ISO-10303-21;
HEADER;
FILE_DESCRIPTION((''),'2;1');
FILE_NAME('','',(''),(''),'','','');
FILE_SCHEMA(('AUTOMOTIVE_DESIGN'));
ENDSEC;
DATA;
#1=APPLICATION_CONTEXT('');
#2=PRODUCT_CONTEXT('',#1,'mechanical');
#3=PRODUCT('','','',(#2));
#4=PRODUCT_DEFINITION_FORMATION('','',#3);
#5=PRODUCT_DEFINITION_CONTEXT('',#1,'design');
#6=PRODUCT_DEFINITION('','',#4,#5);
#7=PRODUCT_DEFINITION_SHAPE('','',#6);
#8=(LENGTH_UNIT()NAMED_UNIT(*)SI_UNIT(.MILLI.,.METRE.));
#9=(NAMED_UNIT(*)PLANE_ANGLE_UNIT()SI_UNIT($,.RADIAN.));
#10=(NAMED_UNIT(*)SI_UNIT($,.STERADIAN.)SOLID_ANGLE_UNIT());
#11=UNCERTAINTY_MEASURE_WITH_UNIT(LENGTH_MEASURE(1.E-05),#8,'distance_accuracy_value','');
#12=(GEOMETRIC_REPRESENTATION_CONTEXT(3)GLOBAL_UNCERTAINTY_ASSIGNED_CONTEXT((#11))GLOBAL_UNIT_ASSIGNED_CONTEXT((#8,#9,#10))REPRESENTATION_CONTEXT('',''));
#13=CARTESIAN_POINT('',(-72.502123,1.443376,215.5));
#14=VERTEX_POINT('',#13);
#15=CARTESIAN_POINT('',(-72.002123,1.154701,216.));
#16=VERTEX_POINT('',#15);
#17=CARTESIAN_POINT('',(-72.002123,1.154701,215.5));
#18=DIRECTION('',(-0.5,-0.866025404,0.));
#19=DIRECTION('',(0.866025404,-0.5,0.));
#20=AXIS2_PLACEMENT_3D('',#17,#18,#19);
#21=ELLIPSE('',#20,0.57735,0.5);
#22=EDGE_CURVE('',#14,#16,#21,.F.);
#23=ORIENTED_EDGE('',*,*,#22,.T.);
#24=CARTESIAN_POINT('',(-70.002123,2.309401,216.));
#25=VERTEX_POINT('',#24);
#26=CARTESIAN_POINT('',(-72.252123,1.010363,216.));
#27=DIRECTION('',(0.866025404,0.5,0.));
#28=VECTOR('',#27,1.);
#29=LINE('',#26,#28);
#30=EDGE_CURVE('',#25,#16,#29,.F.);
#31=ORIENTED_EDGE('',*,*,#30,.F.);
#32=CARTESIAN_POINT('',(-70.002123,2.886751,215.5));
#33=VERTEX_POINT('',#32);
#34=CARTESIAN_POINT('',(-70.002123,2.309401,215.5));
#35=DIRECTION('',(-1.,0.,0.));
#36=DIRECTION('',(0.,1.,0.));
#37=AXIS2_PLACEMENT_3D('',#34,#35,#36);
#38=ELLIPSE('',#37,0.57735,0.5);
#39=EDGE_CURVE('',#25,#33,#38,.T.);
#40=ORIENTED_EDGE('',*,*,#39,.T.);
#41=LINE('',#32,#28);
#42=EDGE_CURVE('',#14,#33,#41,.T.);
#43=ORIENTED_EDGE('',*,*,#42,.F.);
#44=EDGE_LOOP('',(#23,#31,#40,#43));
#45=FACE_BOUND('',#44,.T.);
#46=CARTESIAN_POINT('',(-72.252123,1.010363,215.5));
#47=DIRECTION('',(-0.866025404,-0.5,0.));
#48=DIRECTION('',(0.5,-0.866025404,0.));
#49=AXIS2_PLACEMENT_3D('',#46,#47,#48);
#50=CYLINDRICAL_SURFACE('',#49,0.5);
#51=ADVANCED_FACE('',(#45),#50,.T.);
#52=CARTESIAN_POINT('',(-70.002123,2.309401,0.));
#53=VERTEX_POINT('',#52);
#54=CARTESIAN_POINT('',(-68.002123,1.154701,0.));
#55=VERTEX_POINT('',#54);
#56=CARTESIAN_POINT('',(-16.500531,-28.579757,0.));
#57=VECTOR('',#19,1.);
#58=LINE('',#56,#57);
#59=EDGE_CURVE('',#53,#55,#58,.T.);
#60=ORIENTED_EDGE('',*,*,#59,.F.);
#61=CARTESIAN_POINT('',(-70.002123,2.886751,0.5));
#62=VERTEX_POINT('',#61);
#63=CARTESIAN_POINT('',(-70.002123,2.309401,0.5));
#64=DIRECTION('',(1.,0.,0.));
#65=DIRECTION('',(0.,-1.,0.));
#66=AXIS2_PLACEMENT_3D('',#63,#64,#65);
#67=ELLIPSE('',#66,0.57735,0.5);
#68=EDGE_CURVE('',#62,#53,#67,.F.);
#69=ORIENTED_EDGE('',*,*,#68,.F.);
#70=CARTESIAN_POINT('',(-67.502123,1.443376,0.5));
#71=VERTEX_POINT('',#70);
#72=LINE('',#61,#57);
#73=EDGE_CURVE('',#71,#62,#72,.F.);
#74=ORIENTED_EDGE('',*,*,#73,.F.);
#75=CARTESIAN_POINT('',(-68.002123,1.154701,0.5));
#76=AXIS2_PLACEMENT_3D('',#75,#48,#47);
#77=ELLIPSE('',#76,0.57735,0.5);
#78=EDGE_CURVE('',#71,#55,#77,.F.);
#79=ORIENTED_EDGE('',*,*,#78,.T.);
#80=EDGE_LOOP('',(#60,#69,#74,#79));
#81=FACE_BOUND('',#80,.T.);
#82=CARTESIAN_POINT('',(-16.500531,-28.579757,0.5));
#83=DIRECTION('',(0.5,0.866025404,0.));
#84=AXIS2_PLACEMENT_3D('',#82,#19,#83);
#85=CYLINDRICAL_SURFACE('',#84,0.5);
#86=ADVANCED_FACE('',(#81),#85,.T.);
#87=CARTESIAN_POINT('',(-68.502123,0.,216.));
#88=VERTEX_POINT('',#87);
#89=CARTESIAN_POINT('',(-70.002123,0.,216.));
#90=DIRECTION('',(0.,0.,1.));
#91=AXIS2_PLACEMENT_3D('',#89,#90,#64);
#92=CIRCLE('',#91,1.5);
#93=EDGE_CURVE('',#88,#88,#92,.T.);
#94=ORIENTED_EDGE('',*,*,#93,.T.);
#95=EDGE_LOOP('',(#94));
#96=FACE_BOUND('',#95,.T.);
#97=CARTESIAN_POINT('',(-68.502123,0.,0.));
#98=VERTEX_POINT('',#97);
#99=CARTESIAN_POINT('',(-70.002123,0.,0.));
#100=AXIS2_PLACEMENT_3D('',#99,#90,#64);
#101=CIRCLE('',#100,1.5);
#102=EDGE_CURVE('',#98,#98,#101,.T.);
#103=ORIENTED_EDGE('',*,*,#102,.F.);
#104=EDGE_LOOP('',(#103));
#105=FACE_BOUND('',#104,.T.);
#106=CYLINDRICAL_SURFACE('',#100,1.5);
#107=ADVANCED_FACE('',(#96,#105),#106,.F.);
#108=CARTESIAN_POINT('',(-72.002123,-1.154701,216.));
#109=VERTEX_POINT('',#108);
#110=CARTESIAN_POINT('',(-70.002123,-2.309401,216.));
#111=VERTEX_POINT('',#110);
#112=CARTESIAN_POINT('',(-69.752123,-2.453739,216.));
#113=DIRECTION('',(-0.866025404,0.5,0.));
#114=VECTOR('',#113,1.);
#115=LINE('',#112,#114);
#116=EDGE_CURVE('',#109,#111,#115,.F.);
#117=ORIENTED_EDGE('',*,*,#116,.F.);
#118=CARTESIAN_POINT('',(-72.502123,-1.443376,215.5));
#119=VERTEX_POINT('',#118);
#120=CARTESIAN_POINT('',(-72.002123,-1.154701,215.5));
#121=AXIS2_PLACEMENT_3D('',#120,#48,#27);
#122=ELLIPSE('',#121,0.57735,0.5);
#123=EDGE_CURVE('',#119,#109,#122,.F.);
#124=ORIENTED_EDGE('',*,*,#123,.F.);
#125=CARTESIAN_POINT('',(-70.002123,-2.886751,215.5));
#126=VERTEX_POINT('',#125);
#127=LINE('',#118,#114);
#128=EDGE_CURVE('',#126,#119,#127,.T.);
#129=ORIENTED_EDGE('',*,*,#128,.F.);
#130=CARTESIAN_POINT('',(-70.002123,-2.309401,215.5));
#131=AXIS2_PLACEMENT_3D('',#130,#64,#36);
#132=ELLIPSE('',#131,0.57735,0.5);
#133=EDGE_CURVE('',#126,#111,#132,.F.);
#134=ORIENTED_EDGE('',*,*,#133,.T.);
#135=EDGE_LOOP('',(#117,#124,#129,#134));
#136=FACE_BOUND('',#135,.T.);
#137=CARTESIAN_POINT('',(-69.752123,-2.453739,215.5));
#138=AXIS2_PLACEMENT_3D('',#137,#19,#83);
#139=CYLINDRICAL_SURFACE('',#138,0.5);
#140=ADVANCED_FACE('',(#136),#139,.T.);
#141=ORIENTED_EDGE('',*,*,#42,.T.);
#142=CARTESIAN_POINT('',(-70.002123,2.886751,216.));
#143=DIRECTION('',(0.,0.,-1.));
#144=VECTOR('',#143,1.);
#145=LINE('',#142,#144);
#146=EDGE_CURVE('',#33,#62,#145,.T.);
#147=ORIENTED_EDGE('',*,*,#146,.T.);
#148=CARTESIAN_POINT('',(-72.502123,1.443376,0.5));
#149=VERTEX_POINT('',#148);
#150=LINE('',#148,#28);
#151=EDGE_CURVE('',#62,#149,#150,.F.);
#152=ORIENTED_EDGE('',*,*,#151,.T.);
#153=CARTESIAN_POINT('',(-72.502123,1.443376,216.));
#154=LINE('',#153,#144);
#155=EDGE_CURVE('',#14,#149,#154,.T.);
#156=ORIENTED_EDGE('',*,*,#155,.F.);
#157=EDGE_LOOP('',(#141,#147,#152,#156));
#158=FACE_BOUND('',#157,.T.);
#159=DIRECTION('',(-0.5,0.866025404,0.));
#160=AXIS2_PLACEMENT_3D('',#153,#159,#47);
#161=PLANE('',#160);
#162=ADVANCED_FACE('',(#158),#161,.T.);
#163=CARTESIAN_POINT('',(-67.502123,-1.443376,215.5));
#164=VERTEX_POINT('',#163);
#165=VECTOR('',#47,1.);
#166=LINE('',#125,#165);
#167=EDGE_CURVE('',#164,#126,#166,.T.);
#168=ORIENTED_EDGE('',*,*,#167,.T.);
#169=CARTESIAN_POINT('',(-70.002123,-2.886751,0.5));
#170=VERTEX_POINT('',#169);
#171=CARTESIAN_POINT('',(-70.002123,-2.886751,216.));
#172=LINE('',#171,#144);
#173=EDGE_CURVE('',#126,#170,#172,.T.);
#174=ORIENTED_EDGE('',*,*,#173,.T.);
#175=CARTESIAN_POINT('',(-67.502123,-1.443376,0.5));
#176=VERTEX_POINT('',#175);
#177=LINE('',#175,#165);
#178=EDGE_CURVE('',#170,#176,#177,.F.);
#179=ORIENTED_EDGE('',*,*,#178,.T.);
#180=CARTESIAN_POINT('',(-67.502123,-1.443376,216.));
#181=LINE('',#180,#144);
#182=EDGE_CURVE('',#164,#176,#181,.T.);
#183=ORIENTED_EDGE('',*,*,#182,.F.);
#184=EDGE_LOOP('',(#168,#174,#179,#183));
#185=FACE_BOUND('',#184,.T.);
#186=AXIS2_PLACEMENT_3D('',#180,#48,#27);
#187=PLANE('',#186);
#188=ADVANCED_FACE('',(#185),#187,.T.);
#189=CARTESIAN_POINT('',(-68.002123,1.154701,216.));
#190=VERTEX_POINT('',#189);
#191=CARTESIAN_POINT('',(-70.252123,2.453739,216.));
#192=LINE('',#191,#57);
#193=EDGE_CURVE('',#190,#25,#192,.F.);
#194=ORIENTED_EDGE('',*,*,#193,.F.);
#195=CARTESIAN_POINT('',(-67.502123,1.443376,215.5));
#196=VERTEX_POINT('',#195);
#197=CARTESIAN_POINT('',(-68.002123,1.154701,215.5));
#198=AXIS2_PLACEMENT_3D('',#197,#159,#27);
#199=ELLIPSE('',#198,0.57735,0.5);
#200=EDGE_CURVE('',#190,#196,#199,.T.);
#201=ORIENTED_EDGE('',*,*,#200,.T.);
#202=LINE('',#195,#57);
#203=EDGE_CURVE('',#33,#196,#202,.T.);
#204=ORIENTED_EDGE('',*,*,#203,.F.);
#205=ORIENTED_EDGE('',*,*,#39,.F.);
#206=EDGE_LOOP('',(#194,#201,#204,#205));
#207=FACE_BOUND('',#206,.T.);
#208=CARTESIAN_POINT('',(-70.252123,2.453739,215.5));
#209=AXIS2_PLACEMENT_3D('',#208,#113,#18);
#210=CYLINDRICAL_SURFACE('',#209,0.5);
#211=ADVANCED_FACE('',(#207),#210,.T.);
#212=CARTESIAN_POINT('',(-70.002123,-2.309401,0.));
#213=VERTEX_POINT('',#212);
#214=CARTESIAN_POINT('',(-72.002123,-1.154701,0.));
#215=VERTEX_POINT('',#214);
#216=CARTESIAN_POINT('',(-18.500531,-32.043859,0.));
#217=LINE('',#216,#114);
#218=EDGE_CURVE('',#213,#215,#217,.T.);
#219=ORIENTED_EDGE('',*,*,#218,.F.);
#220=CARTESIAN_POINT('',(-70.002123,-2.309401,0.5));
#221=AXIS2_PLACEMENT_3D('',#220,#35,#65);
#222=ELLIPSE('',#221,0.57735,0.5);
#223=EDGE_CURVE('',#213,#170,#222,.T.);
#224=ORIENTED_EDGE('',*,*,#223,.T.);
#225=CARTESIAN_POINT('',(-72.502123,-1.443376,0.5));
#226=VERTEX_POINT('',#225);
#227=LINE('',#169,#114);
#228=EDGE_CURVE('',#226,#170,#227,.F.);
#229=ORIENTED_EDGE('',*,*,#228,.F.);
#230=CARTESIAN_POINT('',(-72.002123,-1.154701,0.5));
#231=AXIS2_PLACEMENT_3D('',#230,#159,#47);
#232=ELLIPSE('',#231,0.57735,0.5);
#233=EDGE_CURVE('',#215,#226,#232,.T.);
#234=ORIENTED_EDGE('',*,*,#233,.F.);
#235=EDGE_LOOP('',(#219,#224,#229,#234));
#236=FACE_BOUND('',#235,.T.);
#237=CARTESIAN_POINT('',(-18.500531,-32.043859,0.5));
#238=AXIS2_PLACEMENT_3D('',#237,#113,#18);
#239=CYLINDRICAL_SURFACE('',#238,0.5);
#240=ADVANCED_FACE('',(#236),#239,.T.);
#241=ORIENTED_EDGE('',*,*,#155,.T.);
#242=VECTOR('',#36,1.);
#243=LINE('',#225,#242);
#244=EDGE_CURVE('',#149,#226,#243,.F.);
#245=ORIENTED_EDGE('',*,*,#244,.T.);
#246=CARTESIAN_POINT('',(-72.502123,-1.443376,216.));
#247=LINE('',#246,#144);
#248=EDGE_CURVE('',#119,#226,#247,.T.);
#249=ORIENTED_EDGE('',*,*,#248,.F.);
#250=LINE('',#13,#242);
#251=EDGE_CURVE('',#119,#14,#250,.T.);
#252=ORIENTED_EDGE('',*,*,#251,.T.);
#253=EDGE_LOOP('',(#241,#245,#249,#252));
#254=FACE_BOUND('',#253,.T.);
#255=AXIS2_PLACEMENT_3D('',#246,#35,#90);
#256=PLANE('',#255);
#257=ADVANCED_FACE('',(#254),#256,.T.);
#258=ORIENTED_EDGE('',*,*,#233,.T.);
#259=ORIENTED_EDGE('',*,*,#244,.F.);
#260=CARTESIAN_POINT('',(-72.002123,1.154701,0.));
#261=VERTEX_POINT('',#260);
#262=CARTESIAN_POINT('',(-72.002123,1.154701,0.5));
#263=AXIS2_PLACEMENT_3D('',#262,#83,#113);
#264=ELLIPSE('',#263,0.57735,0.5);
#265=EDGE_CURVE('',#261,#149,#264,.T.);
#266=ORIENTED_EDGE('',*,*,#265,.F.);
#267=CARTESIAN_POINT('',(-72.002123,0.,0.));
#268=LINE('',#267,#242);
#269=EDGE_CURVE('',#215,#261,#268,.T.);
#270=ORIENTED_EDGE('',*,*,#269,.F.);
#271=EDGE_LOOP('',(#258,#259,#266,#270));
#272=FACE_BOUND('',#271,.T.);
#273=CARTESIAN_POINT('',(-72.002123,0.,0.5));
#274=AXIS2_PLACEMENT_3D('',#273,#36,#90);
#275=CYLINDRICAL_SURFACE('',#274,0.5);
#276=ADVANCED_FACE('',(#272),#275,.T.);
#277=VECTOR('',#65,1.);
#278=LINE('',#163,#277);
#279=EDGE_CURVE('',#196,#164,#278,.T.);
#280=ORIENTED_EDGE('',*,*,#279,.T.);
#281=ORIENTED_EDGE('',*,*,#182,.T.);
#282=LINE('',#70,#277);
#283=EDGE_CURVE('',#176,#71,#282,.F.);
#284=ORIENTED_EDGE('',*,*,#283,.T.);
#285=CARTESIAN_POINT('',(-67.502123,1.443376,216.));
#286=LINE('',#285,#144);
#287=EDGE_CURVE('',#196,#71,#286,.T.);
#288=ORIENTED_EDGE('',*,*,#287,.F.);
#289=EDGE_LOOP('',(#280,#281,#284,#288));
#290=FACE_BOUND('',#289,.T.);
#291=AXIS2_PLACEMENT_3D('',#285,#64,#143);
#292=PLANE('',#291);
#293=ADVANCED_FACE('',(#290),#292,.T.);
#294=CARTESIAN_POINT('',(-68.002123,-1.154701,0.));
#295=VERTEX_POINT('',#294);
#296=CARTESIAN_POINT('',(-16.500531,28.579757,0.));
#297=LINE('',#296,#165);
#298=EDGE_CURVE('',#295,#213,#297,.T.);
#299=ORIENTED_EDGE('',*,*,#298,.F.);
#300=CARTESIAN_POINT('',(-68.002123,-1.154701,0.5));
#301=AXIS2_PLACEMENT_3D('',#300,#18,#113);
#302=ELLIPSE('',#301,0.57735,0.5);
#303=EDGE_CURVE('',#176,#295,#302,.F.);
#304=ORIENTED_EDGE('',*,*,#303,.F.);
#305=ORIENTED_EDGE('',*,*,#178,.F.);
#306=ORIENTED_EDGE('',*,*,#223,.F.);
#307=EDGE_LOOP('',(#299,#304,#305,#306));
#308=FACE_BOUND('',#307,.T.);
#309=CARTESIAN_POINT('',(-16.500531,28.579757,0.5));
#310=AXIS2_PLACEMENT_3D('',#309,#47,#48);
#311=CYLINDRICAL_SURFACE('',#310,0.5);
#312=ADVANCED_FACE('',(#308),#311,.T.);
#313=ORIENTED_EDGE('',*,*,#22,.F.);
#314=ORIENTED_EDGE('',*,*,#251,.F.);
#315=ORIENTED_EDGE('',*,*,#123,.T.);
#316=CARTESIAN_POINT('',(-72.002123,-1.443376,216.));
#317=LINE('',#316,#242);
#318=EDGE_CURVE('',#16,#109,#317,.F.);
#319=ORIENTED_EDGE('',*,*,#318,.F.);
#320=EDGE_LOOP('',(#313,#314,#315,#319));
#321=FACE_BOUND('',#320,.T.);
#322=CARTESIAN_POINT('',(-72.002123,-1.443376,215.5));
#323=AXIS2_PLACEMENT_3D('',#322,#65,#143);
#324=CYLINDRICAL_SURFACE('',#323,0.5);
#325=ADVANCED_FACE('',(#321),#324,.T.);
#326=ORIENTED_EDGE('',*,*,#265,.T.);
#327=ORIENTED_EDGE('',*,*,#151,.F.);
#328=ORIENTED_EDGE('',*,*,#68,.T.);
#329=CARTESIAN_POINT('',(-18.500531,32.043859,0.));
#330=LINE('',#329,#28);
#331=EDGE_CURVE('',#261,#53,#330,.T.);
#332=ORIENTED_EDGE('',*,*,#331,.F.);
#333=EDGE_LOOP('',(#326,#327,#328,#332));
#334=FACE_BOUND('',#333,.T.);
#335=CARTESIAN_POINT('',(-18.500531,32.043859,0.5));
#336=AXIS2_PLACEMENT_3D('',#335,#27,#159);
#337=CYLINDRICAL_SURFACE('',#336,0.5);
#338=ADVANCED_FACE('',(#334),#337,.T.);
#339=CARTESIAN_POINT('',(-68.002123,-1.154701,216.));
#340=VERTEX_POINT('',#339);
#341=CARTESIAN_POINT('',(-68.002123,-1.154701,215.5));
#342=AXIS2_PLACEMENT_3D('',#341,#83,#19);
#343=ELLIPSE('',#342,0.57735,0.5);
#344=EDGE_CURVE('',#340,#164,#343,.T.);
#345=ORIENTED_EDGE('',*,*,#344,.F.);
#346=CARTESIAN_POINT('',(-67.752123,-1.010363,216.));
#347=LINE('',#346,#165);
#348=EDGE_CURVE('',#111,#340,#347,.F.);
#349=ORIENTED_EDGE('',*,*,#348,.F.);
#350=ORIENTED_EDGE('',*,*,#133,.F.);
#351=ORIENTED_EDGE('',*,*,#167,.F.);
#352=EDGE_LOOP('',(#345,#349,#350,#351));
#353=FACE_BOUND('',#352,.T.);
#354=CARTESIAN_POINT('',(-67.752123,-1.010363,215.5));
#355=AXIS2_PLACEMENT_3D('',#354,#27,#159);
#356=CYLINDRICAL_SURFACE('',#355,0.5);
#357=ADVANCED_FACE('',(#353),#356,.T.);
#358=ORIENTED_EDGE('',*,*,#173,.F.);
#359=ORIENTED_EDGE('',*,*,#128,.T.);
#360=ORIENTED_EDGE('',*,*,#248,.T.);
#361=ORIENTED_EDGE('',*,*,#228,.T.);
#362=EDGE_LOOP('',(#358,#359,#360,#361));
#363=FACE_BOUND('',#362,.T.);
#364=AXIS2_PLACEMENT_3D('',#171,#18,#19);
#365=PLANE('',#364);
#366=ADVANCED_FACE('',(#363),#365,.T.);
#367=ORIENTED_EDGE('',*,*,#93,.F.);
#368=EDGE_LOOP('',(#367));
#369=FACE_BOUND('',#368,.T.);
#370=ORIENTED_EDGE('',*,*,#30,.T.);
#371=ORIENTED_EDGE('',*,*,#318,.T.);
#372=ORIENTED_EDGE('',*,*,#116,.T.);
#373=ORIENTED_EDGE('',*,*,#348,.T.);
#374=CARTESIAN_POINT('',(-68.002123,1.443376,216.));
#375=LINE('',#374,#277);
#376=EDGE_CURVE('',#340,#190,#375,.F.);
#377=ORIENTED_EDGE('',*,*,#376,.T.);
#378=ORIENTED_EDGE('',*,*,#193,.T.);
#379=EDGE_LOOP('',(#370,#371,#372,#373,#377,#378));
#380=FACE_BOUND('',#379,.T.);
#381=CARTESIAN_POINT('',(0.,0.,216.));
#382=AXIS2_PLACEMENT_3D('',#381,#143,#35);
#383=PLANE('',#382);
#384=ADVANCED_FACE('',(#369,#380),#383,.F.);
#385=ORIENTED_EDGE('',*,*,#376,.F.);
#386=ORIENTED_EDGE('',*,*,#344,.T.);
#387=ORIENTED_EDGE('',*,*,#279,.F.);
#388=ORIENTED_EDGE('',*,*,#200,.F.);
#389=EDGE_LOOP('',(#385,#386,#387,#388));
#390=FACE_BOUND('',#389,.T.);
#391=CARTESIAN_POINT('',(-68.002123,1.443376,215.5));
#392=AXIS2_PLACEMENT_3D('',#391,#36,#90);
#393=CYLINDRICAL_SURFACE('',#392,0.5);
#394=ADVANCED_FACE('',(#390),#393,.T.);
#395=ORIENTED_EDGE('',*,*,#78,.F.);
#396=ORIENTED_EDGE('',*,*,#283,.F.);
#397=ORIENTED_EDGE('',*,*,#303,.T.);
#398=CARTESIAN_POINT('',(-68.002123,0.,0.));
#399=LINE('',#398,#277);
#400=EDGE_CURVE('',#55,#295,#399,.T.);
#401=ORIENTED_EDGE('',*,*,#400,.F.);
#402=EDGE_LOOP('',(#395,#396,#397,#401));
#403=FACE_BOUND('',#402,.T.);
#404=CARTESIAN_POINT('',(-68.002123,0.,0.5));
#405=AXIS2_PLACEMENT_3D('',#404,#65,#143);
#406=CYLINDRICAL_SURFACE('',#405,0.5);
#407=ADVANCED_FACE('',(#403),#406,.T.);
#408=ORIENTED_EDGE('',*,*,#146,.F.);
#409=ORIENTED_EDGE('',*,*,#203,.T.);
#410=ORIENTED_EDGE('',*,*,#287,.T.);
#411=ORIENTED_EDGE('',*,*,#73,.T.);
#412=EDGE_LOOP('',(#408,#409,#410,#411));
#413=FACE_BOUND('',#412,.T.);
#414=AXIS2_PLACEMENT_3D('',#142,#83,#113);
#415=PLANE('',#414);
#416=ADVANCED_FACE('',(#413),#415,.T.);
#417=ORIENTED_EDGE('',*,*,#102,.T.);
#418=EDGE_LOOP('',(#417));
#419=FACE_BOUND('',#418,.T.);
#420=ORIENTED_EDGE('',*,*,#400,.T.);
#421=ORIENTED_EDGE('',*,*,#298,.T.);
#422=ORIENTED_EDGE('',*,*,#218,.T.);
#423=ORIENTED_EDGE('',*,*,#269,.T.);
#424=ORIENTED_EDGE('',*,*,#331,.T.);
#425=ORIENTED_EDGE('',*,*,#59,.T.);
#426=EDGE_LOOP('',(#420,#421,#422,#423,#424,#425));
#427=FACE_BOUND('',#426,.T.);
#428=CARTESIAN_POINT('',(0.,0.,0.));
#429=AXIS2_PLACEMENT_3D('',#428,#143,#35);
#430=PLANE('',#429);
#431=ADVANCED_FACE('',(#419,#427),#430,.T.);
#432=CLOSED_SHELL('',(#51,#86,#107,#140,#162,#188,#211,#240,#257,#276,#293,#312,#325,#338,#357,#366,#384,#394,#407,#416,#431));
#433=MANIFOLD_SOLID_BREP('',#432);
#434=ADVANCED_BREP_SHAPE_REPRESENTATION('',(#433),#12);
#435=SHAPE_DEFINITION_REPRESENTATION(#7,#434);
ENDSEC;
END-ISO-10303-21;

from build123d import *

# Parameters (mm, degrees)
RESSALTO_EXTRUS_O1_DEPTH = 216
FILETE1_R                = 0.5
ESBO_O2_R                = 1.5
CORTE_EXTRUS_O1_DEPTH    = 217


with BuildPart() as part:
    # Esboço1 → Ressalto-extrusão1 (new body)
    with BuildSketch(Plane(origin=(0, 0, 0), x_dir=(-1, 0, 0), z_dir=(0, 0, -1))):
        Polygon((67.502122675, -1.443375673), (70.002122675, -2.886751346), (72.502122675, -1.443375673), (72.502122675, 1.443375673), (70.002122675, 2.886751346), (67.502122675, 1.443375673), align=None)
    extrude(amount=-RESSALTO_EXTRUS_O1_DEPTH)

    # Filete1
    filete1_edges = [part.edges().sort_by_distance(p)[0] for p in [
        (-71.252122675, -2.165063509, 216),
        (-72.502122675, 0, 216),
        (-71.252122675, 2.165063509, 216),
        (-68.752122675, 2.165063509, 216),
        (-67.502122675, 0, 216),
        (-68.752122675, 2.165063509, 0),
        (-71.252122675, 2.165063509, 0),
        (-72.502122675, 0, 0),
        (-71.252122675, -2.165063509, 0),
        (-68.752122675, -2.165063509, 0),
        (-67.502122675, 0, 0),
        (-68.752122675, -2.165063509, 216),
    ]]
    fillet(filete1_edges, radius=FILETE1_R)

    # Esboço2 → Corte-extrusão1 (cut, through all)
    with BuildSketch(Plane.XY.offset(216)):
        with Locations((-70.002122675, 0)):
            Circle(ESBO_O2_R)
    extrude(amount=-CORTE_EXTRUS_O1_DEPTH, mode=Mode.SUBTRACT)


solid = part.part
